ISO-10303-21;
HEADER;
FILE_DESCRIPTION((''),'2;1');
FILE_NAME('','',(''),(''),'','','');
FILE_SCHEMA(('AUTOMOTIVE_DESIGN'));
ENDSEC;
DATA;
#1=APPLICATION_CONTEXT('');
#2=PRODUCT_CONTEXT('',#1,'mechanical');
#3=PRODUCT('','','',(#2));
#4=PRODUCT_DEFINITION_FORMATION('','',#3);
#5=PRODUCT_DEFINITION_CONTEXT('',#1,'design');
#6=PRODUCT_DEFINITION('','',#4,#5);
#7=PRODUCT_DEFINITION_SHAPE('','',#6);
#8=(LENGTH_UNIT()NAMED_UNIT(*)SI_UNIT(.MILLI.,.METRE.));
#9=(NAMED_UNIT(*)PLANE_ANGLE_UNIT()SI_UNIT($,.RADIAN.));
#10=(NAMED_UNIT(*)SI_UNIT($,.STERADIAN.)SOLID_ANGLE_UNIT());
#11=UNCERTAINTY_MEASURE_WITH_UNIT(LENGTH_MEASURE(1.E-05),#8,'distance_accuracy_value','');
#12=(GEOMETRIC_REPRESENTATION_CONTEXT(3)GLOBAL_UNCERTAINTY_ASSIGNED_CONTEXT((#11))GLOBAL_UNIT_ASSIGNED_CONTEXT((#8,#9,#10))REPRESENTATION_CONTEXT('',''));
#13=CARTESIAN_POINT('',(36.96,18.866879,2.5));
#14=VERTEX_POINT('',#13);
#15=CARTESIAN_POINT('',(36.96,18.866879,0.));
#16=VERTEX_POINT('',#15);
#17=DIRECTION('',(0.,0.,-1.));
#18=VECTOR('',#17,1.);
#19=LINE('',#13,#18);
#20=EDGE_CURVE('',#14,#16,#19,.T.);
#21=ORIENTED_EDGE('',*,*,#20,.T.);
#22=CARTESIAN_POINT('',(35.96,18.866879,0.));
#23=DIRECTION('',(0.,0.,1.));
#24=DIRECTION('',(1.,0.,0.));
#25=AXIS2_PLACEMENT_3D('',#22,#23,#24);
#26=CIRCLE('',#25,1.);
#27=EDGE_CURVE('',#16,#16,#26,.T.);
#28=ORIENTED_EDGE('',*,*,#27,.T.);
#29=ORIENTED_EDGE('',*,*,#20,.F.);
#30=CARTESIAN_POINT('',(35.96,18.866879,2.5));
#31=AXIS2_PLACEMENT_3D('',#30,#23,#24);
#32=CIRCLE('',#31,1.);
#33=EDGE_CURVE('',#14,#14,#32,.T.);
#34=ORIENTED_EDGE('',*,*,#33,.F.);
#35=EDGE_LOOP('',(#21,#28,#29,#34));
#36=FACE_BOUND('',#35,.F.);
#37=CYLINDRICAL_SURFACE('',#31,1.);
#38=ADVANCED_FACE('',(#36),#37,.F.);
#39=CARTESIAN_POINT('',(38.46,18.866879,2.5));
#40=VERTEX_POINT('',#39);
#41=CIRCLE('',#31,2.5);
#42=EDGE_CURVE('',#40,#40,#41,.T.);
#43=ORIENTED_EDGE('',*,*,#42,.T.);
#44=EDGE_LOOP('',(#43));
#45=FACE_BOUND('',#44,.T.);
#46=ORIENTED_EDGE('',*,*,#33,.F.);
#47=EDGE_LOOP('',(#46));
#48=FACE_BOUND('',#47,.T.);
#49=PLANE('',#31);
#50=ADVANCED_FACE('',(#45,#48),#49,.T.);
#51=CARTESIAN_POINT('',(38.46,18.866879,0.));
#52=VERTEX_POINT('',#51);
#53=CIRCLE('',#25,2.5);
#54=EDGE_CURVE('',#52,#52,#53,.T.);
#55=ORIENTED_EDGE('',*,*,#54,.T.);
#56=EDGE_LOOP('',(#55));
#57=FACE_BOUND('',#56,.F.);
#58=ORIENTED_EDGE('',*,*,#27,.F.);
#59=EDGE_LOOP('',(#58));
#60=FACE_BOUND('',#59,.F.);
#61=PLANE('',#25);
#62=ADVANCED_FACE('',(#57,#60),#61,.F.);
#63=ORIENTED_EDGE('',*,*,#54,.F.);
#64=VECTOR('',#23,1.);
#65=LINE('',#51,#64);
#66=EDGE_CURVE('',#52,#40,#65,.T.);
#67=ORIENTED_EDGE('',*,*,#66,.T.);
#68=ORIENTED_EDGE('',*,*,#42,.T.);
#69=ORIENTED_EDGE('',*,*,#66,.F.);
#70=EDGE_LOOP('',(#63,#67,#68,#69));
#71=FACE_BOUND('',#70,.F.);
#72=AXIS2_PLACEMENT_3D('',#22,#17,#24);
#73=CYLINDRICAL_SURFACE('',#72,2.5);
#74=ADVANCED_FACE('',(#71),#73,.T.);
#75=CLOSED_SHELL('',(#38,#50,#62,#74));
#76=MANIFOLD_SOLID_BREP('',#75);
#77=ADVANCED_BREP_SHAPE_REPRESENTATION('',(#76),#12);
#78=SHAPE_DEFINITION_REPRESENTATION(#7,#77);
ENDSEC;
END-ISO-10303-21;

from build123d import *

# Parameters (mm, degrees)
MODEL_R                 = 2.5
SALIENTE_EXTRUIR1_DEPTH = 2.5
CROQUIS1_R              = 1
CORTAR_EXTRUIR1_DEPTH   = 10


with BuildPart() as part:
    # Model → Saliente-Extruir1 (new body)
    with BuildSketch(Plane.XY):
        with Locations((35.96, 18.866878764)):
            Circle(MODEL_R)
    extrude(amount=SALIENTE_EXTRUIR1_DEPTH)

    # Croquis1 → Cortar-Extruir1 (cut)
    with BuildSketch(Plane.XY.offset(2.5)):
        with Locations((35.96, 18.866878764)):
            Circle(CROQUIS1_R)
    extrude(amount=-CORTAR_EXTRUIR1_DEPTH, mode=Mode.SUBTRACT)


solid = part.part
